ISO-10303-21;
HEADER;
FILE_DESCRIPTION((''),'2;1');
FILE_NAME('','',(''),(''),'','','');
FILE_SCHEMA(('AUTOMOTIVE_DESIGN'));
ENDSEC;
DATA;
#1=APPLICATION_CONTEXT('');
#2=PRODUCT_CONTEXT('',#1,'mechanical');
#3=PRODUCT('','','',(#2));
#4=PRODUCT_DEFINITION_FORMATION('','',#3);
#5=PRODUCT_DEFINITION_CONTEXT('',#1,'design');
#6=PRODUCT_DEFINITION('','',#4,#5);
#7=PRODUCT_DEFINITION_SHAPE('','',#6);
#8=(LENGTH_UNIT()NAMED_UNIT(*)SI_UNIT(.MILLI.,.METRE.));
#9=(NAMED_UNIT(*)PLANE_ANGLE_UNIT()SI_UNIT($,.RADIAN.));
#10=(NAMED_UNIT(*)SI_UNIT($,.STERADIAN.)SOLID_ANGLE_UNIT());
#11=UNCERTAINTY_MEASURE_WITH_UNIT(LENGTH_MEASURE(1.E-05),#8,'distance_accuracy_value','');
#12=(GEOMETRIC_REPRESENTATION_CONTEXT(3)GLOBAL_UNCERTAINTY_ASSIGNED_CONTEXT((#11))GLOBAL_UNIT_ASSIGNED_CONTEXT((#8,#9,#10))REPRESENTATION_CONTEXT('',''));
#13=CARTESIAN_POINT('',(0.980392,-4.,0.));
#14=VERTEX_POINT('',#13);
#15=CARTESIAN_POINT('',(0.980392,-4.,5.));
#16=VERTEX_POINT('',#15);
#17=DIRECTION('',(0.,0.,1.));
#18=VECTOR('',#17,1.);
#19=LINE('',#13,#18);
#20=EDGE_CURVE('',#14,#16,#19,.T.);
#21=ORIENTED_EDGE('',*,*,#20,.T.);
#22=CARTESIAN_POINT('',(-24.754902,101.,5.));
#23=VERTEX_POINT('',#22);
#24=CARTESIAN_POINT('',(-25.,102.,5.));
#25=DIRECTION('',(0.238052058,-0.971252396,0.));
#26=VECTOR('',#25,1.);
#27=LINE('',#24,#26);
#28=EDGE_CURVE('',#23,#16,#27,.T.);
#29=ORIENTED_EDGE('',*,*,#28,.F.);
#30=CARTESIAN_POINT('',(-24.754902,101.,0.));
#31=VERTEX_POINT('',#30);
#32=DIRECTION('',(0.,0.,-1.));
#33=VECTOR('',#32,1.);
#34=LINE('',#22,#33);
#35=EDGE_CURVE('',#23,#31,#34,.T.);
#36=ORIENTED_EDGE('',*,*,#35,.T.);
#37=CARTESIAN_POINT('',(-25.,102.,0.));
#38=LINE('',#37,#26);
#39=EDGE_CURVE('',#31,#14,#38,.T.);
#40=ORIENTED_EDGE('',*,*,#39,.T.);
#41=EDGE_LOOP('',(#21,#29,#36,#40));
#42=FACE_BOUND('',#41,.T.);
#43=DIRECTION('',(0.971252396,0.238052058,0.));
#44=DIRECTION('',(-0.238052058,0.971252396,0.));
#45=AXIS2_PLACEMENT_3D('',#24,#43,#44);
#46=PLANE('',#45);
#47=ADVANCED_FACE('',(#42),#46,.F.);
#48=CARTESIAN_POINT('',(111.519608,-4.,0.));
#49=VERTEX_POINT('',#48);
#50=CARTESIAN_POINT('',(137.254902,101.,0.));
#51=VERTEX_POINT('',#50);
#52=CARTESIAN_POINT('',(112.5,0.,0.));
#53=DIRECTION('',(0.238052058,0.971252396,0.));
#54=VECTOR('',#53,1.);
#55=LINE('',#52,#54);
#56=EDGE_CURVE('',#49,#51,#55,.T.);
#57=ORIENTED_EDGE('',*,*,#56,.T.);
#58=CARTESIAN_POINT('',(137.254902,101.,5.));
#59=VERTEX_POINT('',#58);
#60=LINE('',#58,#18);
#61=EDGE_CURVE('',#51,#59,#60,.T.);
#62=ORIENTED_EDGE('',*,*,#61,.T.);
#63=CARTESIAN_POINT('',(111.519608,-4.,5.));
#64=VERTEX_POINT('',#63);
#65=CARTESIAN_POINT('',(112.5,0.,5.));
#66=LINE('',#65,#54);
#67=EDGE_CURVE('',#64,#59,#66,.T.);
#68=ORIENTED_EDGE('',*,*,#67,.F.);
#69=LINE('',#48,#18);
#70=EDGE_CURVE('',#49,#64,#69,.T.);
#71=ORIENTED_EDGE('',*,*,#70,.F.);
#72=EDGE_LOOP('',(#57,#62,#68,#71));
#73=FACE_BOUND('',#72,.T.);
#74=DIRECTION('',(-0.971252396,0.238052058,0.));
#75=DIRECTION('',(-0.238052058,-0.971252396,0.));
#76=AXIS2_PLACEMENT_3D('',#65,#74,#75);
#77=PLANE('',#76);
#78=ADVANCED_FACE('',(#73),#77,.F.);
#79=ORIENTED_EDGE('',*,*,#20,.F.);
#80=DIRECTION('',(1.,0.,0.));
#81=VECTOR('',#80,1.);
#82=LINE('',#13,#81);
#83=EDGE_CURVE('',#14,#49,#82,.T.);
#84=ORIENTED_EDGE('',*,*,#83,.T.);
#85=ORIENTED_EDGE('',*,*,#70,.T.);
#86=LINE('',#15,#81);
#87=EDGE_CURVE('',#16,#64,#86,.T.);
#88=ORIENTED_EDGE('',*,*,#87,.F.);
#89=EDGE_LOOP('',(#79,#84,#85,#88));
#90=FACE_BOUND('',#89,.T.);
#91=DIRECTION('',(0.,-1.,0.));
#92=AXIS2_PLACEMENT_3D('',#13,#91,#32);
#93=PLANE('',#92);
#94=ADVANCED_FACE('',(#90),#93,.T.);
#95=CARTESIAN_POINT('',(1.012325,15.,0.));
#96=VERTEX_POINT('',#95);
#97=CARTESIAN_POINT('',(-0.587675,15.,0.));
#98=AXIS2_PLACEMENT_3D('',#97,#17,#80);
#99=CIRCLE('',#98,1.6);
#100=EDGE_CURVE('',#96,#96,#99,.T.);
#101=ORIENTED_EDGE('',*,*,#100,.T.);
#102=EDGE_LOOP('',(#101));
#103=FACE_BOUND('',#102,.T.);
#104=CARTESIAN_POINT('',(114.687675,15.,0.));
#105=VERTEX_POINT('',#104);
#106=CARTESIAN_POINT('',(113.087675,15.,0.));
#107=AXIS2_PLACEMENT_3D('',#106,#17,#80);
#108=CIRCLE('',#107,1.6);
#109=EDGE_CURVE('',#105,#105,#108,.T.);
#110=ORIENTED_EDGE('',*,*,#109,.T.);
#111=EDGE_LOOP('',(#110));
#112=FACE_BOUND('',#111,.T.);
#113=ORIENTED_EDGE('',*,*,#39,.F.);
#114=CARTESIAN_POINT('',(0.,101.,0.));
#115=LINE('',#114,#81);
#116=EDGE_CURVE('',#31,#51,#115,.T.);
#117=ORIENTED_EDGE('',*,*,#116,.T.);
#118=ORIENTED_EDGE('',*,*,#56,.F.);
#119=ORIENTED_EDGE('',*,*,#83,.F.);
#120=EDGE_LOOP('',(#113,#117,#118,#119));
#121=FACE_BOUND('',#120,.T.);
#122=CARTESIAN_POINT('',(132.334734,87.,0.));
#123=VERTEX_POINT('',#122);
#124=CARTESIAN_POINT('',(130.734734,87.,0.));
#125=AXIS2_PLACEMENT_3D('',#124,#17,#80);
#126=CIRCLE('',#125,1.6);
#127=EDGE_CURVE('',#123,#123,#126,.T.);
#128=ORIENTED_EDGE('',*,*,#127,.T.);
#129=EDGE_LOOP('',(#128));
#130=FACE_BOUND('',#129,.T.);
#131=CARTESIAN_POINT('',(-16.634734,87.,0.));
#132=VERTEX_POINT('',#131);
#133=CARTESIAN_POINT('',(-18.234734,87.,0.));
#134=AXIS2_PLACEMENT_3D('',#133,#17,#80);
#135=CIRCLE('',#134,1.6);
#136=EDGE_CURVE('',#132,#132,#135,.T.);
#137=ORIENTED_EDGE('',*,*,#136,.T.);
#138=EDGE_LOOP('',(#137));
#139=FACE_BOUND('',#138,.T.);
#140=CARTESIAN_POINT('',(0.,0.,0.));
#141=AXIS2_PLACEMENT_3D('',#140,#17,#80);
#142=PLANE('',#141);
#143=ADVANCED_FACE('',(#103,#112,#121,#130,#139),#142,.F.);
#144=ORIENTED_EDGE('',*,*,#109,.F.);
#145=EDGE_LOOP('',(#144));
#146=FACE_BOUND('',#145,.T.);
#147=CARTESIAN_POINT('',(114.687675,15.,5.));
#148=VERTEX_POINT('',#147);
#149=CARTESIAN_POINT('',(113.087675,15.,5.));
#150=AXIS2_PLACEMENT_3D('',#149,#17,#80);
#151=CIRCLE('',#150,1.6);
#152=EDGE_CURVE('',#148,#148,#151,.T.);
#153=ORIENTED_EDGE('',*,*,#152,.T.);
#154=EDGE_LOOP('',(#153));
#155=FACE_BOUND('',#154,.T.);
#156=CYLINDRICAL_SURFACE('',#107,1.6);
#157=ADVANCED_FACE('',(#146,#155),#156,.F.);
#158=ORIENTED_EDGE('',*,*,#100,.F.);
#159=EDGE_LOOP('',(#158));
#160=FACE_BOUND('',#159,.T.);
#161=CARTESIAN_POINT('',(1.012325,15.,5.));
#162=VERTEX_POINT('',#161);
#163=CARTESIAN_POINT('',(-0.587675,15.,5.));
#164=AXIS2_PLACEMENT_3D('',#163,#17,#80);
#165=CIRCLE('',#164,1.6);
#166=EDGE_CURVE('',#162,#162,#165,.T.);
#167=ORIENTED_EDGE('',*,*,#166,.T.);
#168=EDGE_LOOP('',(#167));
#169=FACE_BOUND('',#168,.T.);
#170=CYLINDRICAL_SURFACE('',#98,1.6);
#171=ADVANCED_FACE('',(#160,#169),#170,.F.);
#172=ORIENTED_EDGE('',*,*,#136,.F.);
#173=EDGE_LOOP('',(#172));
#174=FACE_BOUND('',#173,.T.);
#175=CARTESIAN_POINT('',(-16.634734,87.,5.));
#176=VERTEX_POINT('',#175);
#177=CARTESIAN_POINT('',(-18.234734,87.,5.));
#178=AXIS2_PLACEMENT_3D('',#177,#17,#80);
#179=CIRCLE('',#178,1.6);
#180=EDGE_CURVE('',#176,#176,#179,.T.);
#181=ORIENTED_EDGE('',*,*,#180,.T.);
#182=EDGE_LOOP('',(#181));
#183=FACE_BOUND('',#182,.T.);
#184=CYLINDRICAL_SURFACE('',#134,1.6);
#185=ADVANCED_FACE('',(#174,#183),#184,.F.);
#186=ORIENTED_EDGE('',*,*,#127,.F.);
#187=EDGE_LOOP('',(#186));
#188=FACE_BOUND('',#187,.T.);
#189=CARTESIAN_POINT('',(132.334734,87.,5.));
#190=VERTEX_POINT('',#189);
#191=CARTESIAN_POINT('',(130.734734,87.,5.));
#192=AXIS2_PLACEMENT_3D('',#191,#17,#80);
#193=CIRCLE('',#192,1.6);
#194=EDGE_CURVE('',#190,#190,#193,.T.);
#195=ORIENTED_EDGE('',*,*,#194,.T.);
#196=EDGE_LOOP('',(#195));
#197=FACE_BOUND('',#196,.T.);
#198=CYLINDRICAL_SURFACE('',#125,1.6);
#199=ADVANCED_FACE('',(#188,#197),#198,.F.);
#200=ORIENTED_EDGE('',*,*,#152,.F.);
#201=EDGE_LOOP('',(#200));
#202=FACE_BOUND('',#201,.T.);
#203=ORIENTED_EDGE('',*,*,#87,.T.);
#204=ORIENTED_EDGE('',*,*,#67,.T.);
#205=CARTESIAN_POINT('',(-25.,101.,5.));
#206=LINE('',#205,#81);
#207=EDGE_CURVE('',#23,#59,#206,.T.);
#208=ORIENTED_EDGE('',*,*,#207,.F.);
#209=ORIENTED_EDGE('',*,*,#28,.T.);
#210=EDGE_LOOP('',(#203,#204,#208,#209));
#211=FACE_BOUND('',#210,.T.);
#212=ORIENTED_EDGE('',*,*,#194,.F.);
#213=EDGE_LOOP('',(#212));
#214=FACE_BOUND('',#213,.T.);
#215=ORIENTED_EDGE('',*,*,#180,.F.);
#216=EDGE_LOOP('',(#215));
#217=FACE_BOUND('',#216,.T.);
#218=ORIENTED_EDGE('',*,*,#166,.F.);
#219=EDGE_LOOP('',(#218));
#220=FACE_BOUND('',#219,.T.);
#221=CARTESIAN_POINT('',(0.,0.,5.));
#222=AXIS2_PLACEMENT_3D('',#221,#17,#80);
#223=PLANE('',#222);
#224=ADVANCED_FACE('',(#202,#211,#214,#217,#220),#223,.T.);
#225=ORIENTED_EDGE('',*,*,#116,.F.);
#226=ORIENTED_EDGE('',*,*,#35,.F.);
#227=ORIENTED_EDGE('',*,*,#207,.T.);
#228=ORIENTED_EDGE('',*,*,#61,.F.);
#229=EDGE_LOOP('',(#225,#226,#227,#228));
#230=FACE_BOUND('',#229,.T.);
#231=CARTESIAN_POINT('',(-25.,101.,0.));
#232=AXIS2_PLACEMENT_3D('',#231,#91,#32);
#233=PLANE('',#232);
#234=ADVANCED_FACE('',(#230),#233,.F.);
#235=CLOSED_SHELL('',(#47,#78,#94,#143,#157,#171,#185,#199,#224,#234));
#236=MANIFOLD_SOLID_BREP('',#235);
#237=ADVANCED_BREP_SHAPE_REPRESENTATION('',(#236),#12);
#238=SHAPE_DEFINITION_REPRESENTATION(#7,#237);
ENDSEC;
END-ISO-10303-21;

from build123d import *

# Parameters (mm, degrees)
EXTRUDE_2_DEPTH     = 5
SKETCH_3_R          = 1.6
CUT_EXTRUDE_1_DEPTH = 172.275363085
SKETCH_4_W          = 164.707045146
SKETCH_4_H          = 1
CUT_EXTRUDE_2_DEPTH = 172.275363085
EXTRUDE_3_DEPTH     = 5


with BuildPart() as part:
    # 草图2 → 凸台-拉伸2 (new body)
    with BuildSketch(Plane.XY):
        Polygon((0, 0), (112.5, 0), (137.5, 102), (-25, 102), align=None)
    extrude(amount=EXTRUDE_2_DEPTH)

    # 草图3 → 切除-拉伸1 (cut, through all)
    with BuildSketch(Plane.XY.offset(5)):
        with Locations((-18.234733944, 87)):
            Circle(SKETCH_3_R)
        with Locations((113.087675121, 15)):
            Circle(SKETCH_3_R)
        with Locations((-0.587675121, 15)):
            Circle(SKETCH_3_R)
        with Locations((130.734733944, 87)):
            Circle(SKETCH_3_R)
    extrude(amount=-CUT_EXTRUDE_1_DEPTH, mode=Mode.SUBTRACT)

    # 草图4 → 切除-拉伸2 (cut, through all)
    with BuildSketch(Plane.XY.offset(5)):
        with Locations((57.353522573, 101.5)):
            Rectangle(SKETCH_4_W, SKETCH_4_H)
    extrude(amount=-CUT_EXTRUDE_2_DEPTH, mode=Mode.SUBTRACT)

    # 草图5 → 凸台-拉伸3 (add)
    with BuildSketch(Plane.XY.offset(5)):
        Polygon((0, 0), (0.980392157, -4), (111.519607843, -4), (112.5, 0), align=None)
    extrude(amount=-EXTRUDE_3_DEPTH)


solid = part.part
